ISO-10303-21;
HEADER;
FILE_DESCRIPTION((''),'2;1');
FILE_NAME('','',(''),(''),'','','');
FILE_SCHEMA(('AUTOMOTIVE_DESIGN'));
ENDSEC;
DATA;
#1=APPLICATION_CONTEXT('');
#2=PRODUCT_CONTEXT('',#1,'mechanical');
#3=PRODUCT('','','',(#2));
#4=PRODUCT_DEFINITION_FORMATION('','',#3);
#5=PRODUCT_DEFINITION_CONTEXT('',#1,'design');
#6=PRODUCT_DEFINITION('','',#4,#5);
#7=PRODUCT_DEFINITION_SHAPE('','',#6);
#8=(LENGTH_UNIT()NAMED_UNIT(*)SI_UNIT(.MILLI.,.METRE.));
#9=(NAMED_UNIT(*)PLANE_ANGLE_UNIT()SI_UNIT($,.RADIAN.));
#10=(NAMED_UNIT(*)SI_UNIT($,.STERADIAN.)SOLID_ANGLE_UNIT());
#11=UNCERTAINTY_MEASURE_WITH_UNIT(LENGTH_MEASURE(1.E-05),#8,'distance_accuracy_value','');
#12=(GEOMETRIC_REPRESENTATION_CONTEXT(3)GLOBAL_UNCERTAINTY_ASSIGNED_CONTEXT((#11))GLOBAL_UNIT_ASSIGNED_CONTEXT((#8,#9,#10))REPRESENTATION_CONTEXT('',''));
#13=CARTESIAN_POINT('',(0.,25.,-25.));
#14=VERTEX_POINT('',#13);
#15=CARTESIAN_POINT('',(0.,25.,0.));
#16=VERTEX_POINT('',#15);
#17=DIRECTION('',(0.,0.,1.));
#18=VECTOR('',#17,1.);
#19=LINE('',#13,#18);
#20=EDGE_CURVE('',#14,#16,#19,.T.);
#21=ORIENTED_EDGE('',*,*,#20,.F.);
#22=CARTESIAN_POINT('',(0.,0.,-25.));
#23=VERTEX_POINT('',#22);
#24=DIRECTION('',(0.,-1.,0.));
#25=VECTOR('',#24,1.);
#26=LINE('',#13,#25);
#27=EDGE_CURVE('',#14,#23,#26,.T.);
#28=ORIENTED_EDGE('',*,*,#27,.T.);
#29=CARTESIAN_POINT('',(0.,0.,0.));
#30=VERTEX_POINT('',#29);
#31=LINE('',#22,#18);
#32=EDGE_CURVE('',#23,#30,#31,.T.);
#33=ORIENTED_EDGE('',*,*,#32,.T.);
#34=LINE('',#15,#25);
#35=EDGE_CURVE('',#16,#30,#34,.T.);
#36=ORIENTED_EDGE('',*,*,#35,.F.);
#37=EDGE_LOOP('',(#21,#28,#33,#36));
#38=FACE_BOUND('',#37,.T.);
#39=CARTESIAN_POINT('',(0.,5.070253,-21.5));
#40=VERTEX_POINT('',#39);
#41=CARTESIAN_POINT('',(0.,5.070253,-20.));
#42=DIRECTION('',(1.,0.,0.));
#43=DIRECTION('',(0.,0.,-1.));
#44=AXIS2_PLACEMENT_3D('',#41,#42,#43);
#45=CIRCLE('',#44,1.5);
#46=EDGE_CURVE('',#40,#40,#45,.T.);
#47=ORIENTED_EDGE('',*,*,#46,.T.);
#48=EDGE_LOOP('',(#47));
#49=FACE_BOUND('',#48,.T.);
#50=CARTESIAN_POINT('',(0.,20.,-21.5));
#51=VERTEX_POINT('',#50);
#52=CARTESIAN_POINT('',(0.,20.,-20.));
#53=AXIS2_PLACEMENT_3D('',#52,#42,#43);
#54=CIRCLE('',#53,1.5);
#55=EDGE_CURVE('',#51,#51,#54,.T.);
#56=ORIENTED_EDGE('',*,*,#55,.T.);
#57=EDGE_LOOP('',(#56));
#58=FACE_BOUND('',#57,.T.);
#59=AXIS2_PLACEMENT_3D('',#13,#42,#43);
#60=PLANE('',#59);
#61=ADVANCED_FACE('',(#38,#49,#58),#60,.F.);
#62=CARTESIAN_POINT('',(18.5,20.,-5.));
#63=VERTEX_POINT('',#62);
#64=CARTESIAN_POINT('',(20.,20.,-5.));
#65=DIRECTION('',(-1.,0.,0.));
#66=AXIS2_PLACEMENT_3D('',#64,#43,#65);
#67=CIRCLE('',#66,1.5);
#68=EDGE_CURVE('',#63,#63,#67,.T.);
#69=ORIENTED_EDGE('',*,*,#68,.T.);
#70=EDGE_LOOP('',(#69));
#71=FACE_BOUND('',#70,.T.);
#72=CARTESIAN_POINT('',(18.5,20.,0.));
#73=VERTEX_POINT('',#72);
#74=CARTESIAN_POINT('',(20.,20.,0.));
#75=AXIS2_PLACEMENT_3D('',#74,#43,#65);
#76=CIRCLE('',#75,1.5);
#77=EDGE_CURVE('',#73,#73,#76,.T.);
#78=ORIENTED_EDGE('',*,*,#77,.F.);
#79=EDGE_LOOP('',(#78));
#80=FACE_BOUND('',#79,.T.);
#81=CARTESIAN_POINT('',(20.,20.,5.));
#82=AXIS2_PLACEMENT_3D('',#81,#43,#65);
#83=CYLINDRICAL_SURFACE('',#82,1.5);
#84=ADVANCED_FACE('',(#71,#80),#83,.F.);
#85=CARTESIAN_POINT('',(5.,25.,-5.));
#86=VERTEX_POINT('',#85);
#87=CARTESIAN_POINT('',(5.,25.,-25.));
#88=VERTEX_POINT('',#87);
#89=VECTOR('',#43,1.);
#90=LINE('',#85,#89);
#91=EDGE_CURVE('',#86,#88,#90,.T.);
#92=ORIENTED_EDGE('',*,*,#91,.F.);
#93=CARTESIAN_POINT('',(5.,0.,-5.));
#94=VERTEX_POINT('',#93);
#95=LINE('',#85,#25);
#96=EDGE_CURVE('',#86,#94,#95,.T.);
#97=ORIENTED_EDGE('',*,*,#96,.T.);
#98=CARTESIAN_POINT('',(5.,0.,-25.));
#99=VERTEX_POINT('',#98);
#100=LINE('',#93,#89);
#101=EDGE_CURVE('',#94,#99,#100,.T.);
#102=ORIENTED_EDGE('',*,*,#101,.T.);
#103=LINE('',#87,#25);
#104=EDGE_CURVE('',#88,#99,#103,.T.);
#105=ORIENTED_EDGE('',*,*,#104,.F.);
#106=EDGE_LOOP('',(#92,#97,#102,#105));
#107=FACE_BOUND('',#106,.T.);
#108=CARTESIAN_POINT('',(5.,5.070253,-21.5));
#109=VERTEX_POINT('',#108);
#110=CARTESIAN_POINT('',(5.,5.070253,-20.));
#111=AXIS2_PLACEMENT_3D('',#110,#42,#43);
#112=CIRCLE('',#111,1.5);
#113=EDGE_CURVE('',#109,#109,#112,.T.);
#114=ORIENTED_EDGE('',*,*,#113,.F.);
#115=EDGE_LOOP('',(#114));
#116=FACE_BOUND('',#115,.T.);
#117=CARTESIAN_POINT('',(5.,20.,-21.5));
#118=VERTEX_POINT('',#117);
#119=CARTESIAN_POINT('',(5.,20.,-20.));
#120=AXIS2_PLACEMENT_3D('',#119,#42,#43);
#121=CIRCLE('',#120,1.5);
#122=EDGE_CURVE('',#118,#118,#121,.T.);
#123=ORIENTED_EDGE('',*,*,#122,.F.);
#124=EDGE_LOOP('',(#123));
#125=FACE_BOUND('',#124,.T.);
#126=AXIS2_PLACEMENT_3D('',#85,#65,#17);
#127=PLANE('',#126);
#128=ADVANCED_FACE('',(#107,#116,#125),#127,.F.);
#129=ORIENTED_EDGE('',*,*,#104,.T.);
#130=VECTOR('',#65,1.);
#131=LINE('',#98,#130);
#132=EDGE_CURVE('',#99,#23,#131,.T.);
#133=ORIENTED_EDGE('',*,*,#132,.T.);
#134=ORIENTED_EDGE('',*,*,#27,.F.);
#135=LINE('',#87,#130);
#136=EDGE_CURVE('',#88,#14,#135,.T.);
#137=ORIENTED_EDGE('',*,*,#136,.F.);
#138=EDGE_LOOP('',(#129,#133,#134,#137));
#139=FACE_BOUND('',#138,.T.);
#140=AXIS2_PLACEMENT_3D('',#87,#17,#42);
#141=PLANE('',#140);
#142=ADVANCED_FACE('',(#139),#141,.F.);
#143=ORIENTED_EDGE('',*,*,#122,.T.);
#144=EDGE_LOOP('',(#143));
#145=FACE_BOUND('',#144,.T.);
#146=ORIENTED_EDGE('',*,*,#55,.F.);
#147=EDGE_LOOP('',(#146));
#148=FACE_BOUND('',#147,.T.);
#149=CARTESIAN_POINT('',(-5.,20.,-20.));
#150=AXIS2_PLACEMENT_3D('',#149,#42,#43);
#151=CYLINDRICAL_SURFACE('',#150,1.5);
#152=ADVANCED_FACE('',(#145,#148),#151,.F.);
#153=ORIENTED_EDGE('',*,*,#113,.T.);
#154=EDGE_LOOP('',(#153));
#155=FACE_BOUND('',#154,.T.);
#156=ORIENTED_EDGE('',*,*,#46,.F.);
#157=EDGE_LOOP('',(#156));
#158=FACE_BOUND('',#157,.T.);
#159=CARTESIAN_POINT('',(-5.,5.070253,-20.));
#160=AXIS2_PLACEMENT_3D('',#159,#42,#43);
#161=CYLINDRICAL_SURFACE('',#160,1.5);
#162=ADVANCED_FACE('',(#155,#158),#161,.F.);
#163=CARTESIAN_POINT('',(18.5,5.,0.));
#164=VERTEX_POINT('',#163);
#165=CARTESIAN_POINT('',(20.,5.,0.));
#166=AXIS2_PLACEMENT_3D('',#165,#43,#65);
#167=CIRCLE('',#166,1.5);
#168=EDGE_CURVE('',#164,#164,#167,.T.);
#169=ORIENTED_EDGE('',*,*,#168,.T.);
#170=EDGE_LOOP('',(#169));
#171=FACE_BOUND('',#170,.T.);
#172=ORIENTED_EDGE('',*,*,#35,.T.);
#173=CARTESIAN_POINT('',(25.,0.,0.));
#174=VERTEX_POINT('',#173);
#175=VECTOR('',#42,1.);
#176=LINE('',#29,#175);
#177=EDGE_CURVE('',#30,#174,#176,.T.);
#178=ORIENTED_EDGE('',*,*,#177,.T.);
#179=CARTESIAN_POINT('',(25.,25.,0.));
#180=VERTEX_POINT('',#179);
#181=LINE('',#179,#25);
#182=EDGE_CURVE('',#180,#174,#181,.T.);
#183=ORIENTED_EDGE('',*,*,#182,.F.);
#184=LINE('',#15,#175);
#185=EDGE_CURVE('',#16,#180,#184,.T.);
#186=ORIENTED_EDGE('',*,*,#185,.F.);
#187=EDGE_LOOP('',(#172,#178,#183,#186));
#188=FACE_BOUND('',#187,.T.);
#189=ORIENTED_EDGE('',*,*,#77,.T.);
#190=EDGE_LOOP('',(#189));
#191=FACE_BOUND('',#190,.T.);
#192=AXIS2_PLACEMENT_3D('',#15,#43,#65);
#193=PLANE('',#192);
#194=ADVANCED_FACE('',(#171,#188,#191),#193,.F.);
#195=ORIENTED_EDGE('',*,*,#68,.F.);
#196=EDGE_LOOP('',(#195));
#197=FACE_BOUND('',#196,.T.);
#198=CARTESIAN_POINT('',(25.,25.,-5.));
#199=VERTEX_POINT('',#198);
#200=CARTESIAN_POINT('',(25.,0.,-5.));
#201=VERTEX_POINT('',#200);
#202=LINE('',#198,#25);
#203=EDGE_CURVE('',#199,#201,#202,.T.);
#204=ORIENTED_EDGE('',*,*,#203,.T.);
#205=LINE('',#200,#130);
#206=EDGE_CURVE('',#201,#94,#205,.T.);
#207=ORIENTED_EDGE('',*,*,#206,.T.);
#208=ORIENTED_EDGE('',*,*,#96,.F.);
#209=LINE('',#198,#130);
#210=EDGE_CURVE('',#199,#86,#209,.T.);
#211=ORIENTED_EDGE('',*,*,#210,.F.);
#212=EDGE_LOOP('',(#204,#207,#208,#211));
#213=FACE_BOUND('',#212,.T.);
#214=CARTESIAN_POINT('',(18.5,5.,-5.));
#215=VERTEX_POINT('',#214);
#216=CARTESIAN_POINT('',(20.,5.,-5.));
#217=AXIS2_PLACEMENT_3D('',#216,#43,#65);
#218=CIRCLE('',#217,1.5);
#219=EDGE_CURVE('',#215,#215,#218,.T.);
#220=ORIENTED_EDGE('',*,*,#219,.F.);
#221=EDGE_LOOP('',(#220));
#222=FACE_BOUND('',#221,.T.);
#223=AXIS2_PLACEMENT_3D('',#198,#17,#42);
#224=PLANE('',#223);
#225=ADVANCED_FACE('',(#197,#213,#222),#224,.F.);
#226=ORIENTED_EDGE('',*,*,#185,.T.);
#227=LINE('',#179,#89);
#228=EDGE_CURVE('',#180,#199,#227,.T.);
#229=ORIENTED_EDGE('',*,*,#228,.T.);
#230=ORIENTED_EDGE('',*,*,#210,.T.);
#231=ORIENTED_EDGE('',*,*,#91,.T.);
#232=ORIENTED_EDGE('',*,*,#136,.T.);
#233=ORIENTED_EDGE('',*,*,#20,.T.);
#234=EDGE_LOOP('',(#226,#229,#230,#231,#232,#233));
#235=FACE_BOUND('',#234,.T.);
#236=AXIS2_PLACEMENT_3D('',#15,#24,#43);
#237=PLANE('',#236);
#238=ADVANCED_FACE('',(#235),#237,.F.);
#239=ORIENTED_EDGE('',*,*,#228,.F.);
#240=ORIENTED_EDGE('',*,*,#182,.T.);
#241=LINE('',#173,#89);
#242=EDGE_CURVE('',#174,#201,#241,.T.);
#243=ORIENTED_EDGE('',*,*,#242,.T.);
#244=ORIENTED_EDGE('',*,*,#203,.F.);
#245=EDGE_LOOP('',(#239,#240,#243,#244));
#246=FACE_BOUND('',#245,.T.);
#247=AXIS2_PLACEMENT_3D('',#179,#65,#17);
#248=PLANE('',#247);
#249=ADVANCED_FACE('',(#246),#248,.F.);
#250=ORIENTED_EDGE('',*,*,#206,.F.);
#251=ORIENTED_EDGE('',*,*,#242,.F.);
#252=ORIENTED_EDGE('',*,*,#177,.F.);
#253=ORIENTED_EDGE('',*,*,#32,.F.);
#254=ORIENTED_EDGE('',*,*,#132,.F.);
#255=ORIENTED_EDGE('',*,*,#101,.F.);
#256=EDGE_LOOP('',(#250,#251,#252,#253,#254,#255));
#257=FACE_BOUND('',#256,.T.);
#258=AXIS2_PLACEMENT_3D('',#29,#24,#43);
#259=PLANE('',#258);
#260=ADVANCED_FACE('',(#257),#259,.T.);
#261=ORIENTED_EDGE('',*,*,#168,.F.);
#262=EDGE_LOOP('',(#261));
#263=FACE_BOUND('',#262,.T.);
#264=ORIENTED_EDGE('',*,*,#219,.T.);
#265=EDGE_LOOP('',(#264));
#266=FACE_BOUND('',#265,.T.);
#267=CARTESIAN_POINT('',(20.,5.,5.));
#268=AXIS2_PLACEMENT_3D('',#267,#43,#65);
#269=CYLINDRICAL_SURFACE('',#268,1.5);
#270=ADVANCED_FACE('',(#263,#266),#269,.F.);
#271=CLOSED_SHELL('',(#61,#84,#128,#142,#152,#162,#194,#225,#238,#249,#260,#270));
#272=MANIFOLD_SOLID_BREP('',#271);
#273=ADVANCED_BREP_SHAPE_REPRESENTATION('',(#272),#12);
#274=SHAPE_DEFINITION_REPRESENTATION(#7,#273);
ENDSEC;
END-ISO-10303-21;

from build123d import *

# Parameters (mm, degrees)
EXTRUDE_1_DEPTH     = 25
SKETCH_2_R          = 1.5
CUT_EXTRUDE_1_DEPTH = 10
SKETCH_3_R          = 1.5
CUT_EXTRUDE_2_DEPTH = 10


with BuildPart() as part:
    # 草图1 → 凸台-拉伸1 (new body)
    with BuildSketch(Plane(origin=(0, 0, 0), x_dir=(1, 0, 0), z_dir=(0, 1, 0))):
        Polygon((0, 0), (25, 0), (25, 5), (5, 5), (5, 25), (0, 25), align=None)
    extrude(amount=EXTRUDE_1_DEPTH)

    # 草图2 → 切除-拉伸1 (cut)
    with BuildSketch(Plane(origin=(0, 0, -5), x_dir=(-1, 0, 0), z_dir=(0, 0, -1))):
        with Locations((-20, 20)):
            Circle(SKETCH_2_R)
        with Locations((-20, 5)):
            Circle(SKETCH_2_R)
    extrude(amount=-CUT_EXTRUDE_1_DEPTH, mode=Mode.SUBTRACT)

    # 草图3 → 切除-拉伸2 (cut)
    with BuildSketch(Plane(origin=(5, 0, 0), x_dir=(0, 0, -1), z_dir=(1, 0, 0))):
        with Locations((20, 20)):
            Circle(SKETCH_3_R)
        with Locations((20, 5.070253282)):
            Circle(SKETCH_3_R)
    extrude(amount=-CUT_EXTRUDE_2_DEPTH, mode=Mode.SUBTRACT)


solid = part.part
